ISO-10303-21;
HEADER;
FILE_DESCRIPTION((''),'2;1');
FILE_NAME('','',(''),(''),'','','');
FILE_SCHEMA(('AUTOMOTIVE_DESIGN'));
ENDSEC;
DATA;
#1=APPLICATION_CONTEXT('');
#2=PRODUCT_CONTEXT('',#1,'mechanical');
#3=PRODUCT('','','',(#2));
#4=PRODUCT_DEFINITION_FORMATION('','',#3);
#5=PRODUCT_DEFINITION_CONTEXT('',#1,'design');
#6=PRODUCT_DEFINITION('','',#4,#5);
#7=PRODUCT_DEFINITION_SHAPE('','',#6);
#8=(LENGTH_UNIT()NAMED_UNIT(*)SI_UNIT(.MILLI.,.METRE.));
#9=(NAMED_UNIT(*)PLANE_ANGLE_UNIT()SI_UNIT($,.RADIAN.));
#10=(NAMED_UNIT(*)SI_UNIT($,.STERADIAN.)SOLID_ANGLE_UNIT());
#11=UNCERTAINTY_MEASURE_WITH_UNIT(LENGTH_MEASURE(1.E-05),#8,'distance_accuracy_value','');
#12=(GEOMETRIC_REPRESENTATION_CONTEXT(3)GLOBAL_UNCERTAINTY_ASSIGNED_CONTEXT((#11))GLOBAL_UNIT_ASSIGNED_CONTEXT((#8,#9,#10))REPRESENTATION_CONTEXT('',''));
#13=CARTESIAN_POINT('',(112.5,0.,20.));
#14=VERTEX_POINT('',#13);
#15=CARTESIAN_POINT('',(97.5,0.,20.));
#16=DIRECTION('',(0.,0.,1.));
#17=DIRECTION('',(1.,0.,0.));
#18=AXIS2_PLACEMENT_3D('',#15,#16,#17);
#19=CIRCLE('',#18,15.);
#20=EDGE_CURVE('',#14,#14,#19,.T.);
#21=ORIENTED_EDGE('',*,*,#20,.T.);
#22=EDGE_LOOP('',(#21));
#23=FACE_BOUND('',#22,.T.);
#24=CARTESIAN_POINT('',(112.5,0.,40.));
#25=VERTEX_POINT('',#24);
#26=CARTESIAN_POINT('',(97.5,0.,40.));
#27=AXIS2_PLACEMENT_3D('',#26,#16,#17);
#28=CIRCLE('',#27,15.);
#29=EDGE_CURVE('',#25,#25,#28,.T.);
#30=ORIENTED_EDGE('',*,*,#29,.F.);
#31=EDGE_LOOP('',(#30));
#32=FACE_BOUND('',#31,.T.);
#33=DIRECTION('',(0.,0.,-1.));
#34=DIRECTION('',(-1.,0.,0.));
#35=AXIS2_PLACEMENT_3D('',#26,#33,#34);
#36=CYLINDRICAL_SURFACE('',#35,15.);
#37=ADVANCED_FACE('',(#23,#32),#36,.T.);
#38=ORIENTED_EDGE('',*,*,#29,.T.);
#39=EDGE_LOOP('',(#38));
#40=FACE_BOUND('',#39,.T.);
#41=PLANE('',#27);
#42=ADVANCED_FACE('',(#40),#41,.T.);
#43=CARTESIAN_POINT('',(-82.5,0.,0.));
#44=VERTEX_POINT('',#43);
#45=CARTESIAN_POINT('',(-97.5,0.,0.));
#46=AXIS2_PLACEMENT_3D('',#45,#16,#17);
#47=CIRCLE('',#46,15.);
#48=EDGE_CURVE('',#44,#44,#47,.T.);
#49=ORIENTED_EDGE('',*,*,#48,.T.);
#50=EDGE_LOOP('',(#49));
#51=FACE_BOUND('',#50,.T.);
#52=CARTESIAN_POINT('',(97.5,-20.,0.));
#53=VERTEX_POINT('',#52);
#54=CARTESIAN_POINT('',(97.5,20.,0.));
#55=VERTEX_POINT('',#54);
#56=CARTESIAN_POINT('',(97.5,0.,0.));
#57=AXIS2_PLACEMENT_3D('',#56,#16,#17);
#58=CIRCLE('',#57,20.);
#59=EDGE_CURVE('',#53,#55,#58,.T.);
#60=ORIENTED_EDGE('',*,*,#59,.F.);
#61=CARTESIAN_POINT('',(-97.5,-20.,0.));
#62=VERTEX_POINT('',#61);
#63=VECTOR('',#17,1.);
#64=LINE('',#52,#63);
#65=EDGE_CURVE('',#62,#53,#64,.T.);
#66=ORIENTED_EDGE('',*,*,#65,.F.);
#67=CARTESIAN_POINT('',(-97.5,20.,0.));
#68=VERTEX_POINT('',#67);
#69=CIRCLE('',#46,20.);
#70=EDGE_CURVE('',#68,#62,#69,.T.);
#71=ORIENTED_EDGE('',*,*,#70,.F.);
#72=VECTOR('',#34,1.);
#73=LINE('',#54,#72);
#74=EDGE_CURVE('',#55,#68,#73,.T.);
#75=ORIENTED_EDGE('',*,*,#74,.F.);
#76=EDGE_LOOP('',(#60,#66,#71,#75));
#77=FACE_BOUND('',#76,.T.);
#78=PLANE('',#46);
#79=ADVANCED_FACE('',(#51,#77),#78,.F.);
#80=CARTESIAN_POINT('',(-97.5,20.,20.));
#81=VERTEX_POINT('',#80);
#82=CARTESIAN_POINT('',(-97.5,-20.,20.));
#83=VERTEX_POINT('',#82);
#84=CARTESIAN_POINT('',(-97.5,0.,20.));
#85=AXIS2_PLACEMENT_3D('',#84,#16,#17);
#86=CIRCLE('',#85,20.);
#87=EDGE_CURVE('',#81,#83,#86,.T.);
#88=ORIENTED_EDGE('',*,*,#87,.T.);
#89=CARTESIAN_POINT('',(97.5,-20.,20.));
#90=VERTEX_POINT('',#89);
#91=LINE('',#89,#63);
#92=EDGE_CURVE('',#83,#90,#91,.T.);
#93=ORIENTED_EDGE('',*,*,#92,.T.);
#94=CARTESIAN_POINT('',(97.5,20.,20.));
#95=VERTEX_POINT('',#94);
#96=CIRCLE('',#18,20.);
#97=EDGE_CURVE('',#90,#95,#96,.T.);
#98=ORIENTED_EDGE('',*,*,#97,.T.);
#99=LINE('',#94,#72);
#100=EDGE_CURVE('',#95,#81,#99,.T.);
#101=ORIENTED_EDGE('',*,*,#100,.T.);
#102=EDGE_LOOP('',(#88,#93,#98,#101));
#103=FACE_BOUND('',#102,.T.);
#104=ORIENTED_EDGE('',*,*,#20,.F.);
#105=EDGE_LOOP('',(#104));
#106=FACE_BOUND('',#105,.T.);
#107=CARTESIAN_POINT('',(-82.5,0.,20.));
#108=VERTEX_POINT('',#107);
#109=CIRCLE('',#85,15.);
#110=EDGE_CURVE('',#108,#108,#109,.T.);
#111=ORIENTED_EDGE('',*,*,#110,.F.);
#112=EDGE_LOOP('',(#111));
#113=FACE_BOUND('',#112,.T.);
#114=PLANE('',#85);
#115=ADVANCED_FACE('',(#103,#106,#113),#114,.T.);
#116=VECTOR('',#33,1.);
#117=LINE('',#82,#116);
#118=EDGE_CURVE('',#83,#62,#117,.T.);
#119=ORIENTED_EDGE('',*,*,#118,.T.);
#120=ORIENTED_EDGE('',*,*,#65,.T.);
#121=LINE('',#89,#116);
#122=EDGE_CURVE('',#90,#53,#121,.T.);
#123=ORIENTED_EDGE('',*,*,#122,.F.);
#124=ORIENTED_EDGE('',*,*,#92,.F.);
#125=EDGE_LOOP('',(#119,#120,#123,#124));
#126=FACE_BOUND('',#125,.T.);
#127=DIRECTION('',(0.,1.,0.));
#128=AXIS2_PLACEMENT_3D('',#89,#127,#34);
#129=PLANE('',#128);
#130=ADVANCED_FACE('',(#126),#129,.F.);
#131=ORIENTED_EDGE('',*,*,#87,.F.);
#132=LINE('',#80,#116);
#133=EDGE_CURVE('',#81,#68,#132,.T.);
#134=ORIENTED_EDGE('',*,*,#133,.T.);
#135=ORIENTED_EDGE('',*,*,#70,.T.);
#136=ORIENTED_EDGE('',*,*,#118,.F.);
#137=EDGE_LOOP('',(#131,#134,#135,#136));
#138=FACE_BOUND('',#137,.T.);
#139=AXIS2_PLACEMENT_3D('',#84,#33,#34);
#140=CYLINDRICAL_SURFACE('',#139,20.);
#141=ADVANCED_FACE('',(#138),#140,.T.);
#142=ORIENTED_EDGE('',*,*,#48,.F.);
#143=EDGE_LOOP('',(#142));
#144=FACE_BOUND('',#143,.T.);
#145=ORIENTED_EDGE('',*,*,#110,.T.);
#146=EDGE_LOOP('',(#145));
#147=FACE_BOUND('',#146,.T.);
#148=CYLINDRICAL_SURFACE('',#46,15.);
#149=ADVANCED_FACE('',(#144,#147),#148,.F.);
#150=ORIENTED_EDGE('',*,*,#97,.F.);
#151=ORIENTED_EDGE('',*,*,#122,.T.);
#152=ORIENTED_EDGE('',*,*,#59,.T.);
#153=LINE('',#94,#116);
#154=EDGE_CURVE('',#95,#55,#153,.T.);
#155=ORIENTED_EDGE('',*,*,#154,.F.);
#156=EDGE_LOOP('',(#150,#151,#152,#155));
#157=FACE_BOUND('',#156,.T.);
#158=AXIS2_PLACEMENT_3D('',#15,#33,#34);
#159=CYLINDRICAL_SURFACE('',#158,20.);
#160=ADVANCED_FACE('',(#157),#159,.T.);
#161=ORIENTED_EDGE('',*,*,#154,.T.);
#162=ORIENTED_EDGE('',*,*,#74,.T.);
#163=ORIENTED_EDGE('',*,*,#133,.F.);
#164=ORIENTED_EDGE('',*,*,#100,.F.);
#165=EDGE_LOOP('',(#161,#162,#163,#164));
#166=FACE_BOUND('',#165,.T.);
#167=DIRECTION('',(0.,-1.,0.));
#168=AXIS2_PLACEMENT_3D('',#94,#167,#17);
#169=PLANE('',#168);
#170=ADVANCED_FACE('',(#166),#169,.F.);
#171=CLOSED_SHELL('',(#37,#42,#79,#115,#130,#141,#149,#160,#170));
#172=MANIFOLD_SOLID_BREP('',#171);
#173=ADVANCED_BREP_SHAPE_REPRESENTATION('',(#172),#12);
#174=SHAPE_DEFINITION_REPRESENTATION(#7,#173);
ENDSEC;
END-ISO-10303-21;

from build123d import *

# Parameters (mm, degrees)
BOSS_EXTRUDE1_DEPTH = 20
SKETCH2_R           = 15
CUT_EXTRUDE1_DEPTH  = 20
SKETCH3_R           = 15
BOSS_EXTRUDE2_DEPTH = 20


with BuildPart() as part:
    # Sketch1 → Boss-Extrude1 (new body)
    with BuildSketch(Plane.XY):
        with BuildLine():
            Line((97.5, 20), (-97.5, 20))
            ThreePointArc((-97.5, 20), (-117.5, 0), (-97.5, -20))
            Line((-97.5, -20), (97.5, -20))
            ThreePointArc((97.5, -20), (117.5, 0), (97.5, 20))
        make_face()
    extrude(amount=BOSS_EXTRUDE1_DEPTH)

    # Sketch2 → Cut-Extrude1 (cut)
    with BuildSketch(Plane.XY.offset(20)):
        with Locations((-97.5, 0)):
            Circle(SKETCH2_R)
    extrude(amount=-CUT_EXTRUDE1_DEPTH, mode=Mode.SUBTRACT)

    # Sketch3 → Boss-Extrude2 (add)
    with BuildSketch(Plane.XY.offset(20)):
        with Locations((97.5, 0)):
            Circle(SKETCH3_R)
    extrude(amount=BOSS_EXTRUDE2_DEPTH)


solid = part.part
